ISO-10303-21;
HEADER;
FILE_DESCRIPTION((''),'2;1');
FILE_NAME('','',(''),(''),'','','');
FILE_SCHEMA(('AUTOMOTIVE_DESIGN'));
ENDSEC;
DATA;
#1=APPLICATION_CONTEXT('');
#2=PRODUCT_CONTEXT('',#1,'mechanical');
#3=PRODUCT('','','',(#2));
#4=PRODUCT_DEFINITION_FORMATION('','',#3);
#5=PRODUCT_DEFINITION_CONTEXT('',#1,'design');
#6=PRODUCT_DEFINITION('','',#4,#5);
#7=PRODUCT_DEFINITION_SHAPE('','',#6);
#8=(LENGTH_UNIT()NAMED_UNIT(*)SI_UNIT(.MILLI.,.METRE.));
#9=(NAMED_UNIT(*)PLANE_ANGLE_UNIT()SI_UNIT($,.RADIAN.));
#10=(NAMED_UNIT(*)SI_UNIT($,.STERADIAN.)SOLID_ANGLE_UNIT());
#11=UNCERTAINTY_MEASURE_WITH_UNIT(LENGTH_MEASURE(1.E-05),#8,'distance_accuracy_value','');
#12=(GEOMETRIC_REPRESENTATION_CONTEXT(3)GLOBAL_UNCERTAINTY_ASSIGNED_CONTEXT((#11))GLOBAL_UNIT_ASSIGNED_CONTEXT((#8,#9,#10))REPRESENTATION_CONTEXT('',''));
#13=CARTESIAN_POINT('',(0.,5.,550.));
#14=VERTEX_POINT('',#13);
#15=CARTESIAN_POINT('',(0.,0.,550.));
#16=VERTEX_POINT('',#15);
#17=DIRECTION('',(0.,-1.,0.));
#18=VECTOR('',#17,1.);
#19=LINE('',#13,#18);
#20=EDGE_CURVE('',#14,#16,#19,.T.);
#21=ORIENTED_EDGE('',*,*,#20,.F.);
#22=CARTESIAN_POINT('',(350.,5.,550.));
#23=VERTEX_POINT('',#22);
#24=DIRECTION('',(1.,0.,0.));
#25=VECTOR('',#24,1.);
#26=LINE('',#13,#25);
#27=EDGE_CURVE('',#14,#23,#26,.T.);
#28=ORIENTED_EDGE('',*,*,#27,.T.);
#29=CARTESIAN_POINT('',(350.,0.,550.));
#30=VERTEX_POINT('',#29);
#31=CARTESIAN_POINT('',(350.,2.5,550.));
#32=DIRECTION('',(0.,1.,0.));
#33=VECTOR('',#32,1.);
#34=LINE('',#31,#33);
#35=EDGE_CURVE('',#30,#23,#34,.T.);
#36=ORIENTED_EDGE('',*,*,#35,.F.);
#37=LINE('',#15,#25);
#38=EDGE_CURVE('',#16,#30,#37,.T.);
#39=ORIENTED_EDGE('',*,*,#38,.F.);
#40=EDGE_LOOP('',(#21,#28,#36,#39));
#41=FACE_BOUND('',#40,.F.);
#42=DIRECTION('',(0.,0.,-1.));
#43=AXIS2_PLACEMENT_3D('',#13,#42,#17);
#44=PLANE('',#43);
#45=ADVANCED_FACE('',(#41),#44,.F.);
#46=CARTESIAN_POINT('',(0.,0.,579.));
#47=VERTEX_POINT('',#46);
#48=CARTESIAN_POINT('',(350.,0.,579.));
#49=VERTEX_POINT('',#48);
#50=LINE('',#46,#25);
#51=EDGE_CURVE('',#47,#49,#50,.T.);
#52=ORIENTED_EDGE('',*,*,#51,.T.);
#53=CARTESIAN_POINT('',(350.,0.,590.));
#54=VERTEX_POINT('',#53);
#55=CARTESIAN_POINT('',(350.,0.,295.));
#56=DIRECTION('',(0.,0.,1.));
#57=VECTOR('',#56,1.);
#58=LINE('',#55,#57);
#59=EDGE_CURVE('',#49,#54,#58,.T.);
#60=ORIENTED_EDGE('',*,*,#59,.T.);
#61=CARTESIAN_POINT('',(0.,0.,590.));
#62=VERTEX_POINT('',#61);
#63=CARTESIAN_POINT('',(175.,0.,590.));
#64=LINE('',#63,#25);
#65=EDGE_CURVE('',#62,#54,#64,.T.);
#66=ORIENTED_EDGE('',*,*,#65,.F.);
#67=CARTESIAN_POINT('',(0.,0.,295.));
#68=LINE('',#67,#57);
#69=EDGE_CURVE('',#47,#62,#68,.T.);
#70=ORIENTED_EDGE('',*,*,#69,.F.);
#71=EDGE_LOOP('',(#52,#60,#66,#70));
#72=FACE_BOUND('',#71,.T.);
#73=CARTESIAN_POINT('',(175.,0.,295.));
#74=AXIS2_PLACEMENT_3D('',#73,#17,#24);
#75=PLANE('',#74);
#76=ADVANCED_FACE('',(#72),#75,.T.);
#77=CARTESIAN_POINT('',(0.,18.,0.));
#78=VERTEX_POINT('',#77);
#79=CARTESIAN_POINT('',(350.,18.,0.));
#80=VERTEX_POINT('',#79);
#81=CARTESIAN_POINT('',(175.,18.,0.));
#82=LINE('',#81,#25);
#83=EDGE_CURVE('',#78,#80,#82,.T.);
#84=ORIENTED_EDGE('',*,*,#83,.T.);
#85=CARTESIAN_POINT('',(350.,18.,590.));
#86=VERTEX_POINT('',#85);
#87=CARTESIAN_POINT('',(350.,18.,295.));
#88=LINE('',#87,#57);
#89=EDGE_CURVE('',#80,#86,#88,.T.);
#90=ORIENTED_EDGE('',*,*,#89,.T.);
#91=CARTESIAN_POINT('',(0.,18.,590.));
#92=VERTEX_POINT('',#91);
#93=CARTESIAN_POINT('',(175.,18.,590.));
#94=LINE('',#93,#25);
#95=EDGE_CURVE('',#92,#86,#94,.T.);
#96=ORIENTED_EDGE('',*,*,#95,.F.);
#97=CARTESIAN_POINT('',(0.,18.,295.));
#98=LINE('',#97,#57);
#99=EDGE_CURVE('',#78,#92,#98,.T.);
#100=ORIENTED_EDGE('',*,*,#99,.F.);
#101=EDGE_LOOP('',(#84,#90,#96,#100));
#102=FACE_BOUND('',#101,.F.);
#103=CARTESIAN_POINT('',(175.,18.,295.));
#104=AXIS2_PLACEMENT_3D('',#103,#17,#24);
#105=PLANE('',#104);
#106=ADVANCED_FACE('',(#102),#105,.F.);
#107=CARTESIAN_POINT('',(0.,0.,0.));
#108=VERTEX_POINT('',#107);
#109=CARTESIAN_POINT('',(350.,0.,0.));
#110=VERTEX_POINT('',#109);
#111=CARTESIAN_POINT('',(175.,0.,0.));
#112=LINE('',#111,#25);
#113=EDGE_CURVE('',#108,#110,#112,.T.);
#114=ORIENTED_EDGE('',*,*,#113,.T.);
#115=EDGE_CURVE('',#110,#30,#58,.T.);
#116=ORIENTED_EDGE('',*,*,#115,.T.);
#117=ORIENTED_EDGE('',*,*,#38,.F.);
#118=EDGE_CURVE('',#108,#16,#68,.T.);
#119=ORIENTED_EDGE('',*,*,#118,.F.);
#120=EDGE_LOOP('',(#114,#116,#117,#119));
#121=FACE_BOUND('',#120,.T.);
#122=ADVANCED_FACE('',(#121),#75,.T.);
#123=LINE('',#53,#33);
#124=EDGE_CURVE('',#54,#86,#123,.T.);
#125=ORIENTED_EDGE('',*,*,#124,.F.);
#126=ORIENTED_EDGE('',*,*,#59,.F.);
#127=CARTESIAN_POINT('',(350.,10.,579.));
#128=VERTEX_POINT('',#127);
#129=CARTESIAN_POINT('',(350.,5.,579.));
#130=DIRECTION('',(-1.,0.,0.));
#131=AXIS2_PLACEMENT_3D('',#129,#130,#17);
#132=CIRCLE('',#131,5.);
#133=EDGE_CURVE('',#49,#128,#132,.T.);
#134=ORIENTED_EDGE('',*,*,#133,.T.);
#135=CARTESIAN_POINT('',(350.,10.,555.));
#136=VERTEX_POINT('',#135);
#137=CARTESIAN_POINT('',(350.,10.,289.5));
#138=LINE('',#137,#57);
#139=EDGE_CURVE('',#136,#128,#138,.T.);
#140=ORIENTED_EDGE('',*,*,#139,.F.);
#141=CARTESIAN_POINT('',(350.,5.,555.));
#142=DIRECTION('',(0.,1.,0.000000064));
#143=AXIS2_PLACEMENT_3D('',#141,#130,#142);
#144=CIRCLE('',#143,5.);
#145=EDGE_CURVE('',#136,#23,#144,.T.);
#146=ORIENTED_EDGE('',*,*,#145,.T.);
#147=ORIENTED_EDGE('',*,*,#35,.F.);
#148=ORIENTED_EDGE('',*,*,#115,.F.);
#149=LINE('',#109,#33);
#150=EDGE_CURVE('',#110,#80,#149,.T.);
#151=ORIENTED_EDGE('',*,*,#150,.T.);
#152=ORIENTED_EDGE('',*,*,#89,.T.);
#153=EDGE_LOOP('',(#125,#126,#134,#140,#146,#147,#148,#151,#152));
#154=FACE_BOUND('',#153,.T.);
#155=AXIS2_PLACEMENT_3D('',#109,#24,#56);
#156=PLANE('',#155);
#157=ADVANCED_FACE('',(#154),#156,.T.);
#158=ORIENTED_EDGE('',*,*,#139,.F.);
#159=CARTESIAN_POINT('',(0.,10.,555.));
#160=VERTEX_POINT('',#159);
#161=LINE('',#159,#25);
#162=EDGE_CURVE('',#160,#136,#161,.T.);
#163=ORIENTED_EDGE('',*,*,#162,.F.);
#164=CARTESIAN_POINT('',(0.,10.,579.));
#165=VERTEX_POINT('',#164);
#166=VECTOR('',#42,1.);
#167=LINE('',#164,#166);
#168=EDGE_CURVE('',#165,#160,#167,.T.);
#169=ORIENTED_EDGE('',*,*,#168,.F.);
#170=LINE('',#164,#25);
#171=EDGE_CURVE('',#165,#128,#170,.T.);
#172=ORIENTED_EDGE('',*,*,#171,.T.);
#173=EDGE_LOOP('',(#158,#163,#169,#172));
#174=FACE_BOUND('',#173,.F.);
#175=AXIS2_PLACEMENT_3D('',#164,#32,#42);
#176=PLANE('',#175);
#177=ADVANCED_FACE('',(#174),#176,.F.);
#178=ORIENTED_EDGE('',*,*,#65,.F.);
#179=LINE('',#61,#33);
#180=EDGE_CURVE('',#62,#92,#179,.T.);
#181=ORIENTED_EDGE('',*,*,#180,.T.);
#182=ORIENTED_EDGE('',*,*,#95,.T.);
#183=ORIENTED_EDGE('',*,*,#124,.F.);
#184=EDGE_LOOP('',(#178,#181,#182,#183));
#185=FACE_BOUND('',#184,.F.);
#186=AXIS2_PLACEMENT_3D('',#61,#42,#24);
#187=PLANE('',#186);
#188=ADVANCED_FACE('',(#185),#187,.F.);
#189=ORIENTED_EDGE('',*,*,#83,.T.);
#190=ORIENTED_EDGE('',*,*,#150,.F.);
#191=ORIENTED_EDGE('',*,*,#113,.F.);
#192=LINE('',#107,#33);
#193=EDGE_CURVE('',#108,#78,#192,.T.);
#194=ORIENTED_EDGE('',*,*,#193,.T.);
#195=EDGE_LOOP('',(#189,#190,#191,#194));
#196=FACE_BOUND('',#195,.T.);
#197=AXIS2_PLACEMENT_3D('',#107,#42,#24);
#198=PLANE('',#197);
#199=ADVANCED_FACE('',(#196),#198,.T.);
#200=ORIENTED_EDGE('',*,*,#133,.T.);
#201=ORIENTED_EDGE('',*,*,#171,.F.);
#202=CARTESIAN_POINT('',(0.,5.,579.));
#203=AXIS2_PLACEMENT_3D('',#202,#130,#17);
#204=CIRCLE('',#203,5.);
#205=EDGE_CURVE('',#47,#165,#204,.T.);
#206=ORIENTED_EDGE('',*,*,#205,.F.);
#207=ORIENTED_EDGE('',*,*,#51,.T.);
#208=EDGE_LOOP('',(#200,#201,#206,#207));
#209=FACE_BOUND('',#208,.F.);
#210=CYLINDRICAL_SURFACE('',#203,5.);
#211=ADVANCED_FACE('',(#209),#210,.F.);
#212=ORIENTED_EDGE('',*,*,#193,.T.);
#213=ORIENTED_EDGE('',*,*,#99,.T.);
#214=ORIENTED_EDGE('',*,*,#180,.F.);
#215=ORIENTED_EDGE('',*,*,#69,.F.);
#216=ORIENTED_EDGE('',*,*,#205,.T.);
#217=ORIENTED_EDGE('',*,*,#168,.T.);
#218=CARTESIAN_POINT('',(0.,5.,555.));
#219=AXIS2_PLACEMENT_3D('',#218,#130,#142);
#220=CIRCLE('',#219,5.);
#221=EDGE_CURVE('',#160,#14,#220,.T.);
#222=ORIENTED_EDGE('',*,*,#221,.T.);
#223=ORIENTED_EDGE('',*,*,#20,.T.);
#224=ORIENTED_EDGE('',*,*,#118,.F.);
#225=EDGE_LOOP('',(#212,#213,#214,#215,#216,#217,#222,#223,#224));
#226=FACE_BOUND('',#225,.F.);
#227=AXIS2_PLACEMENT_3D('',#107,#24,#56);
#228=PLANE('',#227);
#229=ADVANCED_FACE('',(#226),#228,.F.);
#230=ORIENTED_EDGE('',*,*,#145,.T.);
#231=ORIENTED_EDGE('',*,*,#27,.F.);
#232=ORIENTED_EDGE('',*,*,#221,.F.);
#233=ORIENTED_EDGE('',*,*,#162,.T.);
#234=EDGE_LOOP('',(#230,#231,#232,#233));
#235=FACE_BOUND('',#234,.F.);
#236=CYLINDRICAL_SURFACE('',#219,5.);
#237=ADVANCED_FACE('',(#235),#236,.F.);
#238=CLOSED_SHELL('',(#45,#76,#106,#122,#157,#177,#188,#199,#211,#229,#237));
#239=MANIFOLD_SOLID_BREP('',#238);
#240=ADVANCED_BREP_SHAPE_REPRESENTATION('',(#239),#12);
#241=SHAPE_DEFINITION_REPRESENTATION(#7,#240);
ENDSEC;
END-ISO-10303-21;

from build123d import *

# Parameters (mm, degrees)
F0_W     = 350
F0_H     = 590
F1_DEPTH = 18
F3_DEPTH = 452


with BuildPart() as f1:
    # F0 (on Front) → F1 (new body)
    with BuildSketch(Plane.XZ):
        with Locations((175, 295)):
            Rectangle(F0_W, F0_H)
    extrude(amount=-F1_DEPTH)

    # F2 (on face) → F3 (cut)
    with BuildSketch(Plane(origin=(0, 0, 0), x_dir=(0, -1, 0), z_dir=(-1, 0, 0))):
        with BuildLine():
            Line((-5, 550), (0, 550))
            Line((0, 550), (0, 579))
            ThreePointArc((0, 579), (-5, 584), (-10, 579))
            Line((-10, 579), (-10, 555))
            ThreePointArc((-10, 555), (-8.535534, 551.464466), (-5, 550))
        make_face()
    extrude(amount=-F3_DEPTH, mode=Mode.SUBTRACT)


solid = f1.part
